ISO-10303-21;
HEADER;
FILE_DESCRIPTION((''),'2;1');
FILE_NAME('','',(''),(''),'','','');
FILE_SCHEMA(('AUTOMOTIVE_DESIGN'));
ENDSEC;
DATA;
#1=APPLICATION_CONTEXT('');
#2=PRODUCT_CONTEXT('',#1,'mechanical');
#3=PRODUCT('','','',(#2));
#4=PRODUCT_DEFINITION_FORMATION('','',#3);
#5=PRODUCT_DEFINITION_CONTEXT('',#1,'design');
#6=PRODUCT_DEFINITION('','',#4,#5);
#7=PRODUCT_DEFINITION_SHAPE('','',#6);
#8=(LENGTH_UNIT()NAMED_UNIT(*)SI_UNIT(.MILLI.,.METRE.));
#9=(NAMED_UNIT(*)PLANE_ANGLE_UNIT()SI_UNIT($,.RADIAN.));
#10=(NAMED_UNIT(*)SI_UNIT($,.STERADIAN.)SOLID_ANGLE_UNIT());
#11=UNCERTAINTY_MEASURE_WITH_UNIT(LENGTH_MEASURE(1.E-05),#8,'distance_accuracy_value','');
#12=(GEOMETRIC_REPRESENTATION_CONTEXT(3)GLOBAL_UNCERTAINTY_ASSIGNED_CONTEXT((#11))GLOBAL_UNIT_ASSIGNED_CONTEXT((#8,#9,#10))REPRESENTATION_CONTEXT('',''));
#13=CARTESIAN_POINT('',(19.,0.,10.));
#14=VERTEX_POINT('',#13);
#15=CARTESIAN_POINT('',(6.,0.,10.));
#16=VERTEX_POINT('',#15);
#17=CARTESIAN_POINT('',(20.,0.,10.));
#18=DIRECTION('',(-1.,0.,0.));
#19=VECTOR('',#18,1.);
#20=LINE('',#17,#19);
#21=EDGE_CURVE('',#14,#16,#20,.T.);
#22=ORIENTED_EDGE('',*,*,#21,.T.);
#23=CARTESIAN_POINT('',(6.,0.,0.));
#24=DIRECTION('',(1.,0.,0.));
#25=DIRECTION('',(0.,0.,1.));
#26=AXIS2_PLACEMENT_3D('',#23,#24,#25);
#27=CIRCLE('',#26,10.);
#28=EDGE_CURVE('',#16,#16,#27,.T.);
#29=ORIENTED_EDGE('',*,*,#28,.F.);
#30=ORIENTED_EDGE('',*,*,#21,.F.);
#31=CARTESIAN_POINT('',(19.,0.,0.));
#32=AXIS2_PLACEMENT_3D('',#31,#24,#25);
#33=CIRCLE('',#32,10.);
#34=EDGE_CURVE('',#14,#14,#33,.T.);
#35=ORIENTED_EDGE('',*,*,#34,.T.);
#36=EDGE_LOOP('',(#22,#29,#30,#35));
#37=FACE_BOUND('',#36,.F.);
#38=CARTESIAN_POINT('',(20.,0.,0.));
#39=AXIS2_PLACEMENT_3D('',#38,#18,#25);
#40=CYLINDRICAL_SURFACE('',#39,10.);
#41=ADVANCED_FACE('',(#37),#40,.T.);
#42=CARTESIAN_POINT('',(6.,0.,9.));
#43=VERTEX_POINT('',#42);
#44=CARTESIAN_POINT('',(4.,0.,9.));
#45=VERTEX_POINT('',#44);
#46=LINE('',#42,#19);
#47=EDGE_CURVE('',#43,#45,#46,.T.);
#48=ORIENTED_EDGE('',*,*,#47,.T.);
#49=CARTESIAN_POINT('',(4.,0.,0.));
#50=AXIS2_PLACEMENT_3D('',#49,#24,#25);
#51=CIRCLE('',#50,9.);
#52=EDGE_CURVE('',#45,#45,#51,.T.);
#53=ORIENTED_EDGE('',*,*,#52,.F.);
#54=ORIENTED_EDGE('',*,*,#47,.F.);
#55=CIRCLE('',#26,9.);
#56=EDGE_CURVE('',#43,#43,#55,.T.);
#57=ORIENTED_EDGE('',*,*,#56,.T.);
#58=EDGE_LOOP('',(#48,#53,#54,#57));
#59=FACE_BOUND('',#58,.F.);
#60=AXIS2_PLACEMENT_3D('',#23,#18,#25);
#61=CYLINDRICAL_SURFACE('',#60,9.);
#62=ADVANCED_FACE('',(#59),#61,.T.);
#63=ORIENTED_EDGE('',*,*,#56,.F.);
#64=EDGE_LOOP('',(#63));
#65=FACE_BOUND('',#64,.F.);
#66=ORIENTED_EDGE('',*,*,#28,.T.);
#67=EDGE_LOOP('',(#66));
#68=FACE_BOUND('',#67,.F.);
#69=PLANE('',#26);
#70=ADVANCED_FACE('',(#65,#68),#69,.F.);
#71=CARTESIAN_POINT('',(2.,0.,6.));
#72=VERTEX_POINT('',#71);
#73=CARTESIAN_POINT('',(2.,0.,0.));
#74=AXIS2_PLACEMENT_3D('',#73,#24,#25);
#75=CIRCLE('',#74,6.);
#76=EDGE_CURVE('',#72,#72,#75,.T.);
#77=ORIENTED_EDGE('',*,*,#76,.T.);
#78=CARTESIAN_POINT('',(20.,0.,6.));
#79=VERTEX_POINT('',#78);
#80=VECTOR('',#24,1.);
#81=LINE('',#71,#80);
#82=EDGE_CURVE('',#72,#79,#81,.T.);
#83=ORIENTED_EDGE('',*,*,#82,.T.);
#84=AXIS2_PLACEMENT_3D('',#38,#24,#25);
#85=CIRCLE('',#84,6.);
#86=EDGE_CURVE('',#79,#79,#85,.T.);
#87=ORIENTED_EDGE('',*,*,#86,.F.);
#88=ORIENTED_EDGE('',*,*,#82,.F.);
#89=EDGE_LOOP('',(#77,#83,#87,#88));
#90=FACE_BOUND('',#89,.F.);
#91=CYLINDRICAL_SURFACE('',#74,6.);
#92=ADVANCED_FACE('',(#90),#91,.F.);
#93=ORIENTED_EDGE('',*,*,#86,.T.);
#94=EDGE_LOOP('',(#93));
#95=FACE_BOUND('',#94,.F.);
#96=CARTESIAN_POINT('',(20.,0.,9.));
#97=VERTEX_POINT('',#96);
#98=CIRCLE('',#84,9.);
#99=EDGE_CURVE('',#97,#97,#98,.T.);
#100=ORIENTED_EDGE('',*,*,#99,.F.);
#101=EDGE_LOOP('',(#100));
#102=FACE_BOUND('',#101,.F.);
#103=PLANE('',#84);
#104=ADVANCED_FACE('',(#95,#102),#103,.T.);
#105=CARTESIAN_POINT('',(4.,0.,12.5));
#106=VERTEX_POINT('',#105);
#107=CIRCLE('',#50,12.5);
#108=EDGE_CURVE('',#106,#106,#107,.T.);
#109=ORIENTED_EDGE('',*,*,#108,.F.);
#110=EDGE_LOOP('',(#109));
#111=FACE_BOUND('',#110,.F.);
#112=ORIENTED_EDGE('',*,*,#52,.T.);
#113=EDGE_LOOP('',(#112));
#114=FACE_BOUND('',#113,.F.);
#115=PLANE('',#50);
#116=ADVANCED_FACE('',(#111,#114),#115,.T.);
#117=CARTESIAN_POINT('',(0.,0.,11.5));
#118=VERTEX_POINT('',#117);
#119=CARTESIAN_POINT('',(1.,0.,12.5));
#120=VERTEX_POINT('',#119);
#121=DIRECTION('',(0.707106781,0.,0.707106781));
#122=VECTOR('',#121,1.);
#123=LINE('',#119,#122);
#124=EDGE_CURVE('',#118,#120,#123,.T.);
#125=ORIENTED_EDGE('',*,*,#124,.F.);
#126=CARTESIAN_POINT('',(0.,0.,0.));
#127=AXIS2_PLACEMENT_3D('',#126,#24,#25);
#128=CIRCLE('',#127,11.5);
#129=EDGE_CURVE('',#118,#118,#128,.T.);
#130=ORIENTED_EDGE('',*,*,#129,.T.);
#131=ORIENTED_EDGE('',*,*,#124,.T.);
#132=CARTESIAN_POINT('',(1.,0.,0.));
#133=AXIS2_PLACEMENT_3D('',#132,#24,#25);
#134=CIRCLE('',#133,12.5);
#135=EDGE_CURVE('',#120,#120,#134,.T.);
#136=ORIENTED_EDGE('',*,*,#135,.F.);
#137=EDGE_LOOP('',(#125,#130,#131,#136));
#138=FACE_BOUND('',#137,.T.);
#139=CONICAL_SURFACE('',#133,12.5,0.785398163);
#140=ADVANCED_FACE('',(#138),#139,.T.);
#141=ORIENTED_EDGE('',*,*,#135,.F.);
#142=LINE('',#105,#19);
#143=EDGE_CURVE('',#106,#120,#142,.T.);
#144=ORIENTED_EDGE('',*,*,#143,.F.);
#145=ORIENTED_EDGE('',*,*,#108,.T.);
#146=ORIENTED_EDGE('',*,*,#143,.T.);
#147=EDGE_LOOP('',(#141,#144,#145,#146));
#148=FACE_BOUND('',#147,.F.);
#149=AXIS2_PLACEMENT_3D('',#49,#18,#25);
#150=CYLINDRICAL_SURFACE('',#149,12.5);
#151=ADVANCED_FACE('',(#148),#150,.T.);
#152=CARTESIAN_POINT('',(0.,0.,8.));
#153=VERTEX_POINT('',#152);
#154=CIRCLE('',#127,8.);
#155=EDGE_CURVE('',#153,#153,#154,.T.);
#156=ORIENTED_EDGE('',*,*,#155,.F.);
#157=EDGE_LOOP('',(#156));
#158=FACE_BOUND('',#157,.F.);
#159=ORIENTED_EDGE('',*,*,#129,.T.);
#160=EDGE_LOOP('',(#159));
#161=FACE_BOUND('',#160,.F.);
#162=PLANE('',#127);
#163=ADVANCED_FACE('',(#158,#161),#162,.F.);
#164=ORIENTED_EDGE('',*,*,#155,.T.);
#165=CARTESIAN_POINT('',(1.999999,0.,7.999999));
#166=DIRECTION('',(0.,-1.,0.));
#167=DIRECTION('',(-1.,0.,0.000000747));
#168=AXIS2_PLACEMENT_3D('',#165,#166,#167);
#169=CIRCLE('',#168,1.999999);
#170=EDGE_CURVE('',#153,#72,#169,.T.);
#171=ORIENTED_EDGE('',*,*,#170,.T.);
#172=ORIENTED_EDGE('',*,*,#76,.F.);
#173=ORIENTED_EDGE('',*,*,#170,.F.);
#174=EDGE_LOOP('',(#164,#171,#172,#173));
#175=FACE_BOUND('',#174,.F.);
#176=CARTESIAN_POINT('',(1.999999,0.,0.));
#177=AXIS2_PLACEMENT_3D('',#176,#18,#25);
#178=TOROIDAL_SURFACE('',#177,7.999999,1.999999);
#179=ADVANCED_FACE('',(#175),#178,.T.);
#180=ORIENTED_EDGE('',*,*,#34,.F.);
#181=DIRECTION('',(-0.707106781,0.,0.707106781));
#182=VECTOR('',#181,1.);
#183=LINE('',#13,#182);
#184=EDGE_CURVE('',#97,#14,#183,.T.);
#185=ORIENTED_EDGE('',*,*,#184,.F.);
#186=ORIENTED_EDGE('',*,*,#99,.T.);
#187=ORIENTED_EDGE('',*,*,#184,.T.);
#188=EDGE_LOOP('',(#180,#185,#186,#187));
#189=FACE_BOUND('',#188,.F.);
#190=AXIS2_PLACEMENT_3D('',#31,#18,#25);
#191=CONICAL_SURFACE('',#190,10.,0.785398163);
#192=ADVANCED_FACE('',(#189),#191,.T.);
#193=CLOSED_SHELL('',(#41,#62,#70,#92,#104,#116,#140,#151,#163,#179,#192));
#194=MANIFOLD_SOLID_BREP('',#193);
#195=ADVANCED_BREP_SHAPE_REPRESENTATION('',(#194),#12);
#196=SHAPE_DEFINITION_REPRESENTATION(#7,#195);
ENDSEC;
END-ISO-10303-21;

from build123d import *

# Parameters (mm, degrees)
F2_SIZE = 1


with BuildPart() as f1:
    # F0 (on Front) → F1 (revolve)
    with BuildSketch(Plane.XZ):
        with BuildLine():
            Line((0, 12.5), (0, 8))
            ThreePointArc((0, 8), (0.585786, 6.585786), (2, 6))
            Line((2, 6), (20, 6))
            Line((20, 6), (20, 10))
            Line((20, 10), (6, 10))
            Line((6, 10), (6, 9))
            Line((6, 9), (4, 9))
            Line((4, 9), (4, 12.5))
            Line((4, 12.5), (0, 12.5))
        make_face()
    revolve(axis=Axis((12.676579, 0, 0), (1, 0, 0)))

    # F2
    f2_edges = [f1.edges().sort_by_distance(p)[0] for p in [
        (0, 0, -12.5),
        (20, 0, -10),
    ]]
    chamfer(f2_edges, length=F2_SIZE)


solid = f1.part
